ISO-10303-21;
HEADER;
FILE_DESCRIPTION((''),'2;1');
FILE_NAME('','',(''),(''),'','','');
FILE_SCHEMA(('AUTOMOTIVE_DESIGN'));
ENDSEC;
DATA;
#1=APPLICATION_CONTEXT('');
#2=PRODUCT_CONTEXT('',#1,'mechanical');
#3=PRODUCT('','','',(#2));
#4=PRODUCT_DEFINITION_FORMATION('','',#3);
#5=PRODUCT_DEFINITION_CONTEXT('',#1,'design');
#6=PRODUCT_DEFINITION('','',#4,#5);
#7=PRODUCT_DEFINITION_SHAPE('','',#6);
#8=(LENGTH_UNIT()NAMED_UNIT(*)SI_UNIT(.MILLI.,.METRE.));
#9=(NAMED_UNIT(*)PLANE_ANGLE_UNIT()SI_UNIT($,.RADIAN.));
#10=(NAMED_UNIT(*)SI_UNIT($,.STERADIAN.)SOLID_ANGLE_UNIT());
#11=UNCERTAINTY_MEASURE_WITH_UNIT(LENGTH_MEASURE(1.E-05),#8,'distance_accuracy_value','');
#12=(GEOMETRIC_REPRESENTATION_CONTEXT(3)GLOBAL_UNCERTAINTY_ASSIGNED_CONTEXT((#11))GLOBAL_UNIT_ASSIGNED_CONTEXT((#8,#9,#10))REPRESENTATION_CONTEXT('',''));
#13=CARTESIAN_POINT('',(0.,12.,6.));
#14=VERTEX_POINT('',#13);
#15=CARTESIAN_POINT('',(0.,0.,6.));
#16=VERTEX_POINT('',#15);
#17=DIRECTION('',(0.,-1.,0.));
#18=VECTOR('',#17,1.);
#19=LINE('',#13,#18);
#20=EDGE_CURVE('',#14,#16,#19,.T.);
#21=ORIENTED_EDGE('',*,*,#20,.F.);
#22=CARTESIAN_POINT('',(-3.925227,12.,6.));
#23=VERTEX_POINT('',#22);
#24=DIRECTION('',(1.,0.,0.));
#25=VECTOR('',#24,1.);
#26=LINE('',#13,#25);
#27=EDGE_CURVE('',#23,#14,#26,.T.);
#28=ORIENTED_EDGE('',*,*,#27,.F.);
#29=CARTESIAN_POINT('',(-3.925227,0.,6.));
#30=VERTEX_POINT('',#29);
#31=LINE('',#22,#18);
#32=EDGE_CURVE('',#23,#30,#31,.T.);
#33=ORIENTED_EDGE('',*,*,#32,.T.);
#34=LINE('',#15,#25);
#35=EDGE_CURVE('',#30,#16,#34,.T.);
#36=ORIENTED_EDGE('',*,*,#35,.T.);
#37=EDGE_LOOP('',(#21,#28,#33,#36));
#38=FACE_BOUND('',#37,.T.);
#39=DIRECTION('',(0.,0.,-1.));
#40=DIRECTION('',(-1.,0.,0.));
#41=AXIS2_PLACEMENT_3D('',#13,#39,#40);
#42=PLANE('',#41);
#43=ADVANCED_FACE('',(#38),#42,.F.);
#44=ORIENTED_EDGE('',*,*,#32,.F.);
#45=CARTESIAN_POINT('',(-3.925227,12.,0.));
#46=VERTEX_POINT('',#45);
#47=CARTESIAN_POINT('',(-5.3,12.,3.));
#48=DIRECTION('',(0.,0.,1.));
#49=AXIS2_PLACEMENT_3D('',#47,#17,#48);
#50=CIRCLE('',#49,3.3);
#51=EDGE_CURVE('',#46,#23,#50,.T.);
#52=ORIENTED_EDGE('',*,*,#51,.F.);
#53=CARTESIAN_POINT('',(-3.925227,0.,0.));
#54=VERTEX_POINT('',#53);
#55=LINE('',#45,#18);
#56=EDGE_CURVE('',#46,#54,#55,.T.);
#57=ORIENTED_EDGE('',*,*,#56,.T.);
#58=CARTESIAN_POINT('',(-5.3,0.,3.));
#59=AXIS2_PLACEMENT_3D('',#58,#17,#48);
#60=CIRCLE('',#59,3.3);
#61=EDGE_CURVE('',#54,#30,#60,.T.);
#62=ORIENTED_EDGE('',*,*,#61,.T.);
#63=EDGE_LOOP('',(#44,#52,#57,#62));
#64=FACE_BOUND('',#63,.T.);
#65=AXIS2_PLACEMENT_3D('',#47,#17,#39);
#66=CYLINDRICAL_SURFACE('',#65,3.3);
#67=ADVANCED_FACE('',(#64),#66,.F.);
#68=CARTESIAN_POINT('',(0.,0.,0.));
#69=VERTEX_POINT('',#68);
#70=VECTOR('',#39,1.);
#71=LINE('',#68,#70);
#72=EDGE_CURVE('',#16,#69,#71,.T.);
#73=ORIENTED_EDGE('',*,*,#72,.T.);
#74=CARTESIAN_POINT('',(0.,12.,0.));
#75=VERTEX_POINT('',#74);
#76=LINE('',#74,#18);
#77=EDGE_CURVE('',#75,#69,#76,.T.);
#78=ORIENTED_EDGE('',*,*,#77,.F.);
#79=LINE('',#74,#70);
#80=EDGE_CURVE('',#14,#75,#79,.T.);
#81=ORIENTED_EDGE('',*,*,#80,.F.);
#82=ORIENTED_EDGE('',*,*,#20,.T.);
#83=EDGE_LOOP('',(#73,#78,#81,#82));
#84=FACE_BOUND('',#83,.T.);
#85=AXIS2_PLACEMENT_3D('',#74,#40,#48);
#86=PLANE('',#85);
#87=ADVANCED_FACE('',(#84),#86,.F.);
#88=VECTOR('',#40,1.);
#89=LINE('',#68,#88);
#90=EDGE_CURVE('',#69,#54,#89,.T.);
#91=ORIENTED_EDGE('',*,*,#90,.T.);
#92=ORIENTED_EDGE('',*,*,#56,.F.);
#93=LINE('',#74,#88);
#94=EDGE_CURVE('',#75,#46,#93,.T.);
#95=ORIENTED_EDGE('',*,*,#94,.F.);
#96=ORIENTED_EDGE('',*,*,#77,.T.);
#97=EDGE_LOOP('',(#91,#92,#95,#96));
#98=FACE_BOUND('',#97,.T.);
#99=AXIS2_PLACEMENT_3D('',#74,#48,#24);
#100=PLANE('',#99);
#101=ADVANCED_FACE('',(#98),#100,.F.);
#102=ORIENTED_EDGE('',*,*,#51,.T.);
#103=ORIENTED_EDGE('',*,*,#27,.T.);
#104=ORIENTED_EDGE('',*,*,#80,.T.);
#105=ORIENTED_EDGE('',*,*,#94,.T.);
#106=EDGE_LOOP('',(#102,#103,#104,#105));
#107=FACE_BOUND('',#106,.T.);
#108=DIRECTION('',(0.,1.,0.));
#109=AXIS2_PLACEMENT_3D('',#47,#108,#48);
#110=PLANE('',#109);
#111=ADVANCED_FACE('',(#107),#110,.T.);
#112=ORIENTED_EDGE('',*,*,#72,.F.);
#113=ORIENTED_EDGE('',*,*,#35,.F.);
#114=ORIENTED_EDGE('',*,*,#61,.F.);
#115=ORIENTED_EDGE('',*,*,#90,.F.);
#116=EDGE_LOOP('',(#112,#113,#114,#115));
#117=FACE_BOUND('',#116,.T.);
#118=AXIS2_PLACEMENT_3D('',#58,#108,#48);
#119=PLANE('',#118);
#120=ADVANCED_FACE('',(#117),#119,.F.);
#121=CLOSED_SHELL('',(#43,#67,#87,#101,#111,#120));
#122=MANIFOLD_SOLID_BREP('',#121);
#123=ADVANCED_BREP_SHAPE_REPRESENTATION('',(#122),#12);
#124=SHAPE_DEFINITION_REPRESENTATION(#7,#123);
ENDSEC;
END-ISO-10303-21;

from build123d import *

# Parameters (mm, degrees)
EXTRUDE_1_DEPTH = 12


with BuildPart() as part:
    # 草图1 → 凸台-拉伸1 (new body)
    with BuildSketch(Plane(origin=(0, 0, 0), x_dir=(1, 0, 0), z_dir=(0, 1, 0))):
        with BuildLine():
            Line((0, 0), (0, -6))
            Line((0, -6), (-3.925227292, -6))
            ThreePointArc((-3.925227292, -6), (-2, -3), (-3.925227292, 0))
            Line((-3.925227292, 0), (0, 0))
        make_face()
    extrude(amount=EXTRUDE_1_DEPTH)


solid = part.part
